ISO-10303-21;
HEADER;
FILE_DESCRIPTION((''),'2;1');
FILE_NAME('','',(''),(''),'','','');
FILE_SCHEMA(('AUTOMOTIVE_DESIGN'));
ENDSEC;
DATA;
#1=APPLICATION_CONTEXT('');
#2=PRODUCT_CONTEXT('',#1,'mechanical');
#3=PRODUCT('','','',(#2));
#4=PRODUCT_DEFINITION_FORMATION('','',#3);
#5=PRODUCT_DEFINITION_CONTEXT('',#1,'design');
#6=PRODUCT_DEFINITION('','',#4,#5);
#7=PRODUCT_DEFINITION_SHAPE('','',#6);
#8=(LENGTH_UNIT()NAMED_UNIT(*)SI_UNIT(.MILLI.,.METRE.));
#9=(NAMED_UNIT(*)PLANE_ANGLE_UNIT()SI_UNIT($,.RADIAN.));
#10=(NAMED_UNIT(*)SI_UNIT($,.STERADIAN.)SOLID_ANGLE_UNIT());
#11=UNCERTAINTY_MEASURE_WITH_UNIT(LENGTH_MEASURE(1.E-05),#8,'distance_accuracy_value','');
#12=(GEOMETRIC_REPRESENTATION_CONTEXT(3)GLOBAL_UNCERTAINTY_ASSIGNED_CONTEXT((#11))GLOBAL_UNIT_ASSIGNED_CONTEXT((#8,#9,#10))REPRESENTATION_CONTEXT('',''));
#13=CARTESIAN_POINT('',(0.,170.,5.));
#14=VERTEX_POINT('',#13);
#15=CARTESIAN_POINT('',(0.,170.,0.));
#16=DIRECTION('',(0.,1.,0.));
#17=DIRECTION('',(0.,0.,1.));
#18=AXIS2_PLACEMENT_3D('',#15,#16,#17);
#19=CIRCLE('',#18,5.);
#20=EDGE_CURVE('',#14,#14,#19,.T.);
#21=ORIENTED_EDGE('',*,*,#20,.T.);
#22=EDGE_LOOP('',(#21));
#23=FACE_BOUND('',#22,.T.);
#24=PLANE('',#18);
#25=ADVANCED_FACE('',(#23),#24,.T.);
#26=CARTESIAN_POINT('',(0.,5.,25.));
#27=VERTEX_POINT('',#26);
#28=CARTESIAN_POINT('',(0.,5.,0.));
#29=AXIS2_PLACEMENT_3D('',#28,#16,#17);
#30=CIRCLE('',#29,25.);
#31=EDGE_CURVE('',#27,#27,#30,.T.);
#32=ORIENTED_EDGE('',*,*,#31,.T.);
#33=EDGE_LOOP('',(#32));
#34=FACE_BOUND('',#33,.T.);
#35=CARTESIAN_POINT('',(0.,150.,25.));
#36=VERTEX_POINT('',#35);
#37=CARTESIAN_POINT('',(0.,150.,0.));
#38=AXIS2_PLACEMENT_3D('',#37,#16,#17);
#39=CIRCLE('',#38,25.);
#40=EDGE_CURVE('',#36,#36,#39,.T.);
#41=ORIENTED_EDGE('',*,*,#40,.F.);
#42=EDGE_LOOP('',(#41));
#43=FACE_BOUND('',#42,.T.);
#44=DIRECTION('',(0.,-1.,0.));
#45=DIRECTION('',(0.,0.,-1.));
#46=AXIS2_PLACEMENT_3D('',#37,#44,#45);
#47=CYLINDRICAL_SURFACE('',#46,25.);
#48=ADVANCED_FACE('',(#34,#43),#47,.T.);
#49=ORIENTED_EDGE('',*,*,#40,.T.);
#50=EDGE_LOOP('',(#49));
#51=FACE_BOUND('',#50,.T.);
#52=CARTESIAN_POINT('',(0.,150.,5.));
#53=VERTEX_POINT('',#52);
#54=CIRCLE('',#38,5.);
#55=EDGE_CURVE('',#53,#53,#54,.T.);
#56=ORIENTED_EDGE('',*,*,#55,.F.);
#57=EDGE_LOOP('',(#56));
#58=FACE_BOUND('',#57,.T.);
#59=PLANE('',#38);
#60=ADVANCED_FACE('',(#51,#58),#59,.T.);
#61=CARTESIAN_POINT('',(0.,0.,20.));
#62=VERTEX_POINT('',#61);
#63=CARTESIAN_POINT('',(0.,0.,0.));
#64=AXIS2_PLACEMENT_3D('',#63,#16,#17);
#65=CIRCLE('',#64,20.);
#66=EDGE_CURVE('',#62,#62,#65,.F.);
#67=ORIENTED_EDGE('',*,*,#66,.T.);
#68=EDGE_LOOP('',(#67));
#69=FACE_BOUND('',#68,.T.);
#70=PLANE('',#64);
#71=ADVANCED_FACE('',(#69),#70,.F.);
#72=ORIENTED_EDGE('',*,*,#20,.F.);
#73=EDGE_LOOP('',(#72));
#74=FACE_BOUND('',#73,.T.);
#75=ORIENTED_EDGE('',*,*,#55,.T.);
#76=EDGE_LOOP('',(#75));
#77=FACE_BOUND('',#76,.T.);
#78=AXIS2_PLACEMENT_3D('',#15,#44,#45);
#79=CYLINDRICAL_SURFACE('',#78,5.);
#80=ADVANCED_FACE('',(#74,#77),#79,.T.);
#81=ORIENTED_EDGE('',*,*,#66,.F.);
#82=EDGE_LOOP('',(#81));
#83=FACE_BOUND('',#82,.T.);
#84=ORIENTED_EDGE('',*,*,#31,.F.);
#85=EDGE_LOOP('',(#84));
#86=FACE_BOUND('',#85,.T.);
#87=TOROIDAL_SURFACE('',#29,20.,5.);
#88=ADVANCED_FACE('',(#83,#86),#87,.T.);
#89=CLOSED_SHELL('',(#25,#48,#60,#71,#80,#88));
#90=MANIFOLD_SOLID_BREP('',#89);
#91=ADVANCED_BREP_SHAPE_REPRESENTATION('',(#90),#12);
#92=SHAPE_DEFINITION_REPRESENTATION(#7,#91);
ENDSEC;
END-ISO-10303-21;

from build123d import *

# Parameters (mm, degrees)
SKETCH1_R           = 25
BOSS_EXTRUDE1_DEPTH = 150
SKETCH2_R           = 5
BOSS_EXTRUDE2_DEPTH = 20
FILLET1_R           = 5


with BuildPart() as part:
    # Sketch1 → Boss-Extrude1 (new body)
    with BuildSketch(Plane(origin=(0, 0, 0), x_dir=(1, 0, 0), z_dir=(0, 1, 0))):
        Circle(SKETCH1_R)
    extrude(amount=BOSS_EXTRUDE1_DEPTH)

    # Sketch2 → Boss-Extrude2 (add)
    with BuildSketch(Plane(origin=(0, 150, 0), x_dir=(1, 0, 0), z_dir=(0, 1, 0))):
        Circle(SKETCH2_R)
    extrude(amount=BOSS_EXTRUDE2_DEPTH)

    # Fillet1
    fillet1_edges = [part.edges().sort_by_distance(p)[0] for p in [
        (-25, 0, 0),
    ]]
    fillet(fillet1_edges, radius=FILLET1_R)


solid = part.part
